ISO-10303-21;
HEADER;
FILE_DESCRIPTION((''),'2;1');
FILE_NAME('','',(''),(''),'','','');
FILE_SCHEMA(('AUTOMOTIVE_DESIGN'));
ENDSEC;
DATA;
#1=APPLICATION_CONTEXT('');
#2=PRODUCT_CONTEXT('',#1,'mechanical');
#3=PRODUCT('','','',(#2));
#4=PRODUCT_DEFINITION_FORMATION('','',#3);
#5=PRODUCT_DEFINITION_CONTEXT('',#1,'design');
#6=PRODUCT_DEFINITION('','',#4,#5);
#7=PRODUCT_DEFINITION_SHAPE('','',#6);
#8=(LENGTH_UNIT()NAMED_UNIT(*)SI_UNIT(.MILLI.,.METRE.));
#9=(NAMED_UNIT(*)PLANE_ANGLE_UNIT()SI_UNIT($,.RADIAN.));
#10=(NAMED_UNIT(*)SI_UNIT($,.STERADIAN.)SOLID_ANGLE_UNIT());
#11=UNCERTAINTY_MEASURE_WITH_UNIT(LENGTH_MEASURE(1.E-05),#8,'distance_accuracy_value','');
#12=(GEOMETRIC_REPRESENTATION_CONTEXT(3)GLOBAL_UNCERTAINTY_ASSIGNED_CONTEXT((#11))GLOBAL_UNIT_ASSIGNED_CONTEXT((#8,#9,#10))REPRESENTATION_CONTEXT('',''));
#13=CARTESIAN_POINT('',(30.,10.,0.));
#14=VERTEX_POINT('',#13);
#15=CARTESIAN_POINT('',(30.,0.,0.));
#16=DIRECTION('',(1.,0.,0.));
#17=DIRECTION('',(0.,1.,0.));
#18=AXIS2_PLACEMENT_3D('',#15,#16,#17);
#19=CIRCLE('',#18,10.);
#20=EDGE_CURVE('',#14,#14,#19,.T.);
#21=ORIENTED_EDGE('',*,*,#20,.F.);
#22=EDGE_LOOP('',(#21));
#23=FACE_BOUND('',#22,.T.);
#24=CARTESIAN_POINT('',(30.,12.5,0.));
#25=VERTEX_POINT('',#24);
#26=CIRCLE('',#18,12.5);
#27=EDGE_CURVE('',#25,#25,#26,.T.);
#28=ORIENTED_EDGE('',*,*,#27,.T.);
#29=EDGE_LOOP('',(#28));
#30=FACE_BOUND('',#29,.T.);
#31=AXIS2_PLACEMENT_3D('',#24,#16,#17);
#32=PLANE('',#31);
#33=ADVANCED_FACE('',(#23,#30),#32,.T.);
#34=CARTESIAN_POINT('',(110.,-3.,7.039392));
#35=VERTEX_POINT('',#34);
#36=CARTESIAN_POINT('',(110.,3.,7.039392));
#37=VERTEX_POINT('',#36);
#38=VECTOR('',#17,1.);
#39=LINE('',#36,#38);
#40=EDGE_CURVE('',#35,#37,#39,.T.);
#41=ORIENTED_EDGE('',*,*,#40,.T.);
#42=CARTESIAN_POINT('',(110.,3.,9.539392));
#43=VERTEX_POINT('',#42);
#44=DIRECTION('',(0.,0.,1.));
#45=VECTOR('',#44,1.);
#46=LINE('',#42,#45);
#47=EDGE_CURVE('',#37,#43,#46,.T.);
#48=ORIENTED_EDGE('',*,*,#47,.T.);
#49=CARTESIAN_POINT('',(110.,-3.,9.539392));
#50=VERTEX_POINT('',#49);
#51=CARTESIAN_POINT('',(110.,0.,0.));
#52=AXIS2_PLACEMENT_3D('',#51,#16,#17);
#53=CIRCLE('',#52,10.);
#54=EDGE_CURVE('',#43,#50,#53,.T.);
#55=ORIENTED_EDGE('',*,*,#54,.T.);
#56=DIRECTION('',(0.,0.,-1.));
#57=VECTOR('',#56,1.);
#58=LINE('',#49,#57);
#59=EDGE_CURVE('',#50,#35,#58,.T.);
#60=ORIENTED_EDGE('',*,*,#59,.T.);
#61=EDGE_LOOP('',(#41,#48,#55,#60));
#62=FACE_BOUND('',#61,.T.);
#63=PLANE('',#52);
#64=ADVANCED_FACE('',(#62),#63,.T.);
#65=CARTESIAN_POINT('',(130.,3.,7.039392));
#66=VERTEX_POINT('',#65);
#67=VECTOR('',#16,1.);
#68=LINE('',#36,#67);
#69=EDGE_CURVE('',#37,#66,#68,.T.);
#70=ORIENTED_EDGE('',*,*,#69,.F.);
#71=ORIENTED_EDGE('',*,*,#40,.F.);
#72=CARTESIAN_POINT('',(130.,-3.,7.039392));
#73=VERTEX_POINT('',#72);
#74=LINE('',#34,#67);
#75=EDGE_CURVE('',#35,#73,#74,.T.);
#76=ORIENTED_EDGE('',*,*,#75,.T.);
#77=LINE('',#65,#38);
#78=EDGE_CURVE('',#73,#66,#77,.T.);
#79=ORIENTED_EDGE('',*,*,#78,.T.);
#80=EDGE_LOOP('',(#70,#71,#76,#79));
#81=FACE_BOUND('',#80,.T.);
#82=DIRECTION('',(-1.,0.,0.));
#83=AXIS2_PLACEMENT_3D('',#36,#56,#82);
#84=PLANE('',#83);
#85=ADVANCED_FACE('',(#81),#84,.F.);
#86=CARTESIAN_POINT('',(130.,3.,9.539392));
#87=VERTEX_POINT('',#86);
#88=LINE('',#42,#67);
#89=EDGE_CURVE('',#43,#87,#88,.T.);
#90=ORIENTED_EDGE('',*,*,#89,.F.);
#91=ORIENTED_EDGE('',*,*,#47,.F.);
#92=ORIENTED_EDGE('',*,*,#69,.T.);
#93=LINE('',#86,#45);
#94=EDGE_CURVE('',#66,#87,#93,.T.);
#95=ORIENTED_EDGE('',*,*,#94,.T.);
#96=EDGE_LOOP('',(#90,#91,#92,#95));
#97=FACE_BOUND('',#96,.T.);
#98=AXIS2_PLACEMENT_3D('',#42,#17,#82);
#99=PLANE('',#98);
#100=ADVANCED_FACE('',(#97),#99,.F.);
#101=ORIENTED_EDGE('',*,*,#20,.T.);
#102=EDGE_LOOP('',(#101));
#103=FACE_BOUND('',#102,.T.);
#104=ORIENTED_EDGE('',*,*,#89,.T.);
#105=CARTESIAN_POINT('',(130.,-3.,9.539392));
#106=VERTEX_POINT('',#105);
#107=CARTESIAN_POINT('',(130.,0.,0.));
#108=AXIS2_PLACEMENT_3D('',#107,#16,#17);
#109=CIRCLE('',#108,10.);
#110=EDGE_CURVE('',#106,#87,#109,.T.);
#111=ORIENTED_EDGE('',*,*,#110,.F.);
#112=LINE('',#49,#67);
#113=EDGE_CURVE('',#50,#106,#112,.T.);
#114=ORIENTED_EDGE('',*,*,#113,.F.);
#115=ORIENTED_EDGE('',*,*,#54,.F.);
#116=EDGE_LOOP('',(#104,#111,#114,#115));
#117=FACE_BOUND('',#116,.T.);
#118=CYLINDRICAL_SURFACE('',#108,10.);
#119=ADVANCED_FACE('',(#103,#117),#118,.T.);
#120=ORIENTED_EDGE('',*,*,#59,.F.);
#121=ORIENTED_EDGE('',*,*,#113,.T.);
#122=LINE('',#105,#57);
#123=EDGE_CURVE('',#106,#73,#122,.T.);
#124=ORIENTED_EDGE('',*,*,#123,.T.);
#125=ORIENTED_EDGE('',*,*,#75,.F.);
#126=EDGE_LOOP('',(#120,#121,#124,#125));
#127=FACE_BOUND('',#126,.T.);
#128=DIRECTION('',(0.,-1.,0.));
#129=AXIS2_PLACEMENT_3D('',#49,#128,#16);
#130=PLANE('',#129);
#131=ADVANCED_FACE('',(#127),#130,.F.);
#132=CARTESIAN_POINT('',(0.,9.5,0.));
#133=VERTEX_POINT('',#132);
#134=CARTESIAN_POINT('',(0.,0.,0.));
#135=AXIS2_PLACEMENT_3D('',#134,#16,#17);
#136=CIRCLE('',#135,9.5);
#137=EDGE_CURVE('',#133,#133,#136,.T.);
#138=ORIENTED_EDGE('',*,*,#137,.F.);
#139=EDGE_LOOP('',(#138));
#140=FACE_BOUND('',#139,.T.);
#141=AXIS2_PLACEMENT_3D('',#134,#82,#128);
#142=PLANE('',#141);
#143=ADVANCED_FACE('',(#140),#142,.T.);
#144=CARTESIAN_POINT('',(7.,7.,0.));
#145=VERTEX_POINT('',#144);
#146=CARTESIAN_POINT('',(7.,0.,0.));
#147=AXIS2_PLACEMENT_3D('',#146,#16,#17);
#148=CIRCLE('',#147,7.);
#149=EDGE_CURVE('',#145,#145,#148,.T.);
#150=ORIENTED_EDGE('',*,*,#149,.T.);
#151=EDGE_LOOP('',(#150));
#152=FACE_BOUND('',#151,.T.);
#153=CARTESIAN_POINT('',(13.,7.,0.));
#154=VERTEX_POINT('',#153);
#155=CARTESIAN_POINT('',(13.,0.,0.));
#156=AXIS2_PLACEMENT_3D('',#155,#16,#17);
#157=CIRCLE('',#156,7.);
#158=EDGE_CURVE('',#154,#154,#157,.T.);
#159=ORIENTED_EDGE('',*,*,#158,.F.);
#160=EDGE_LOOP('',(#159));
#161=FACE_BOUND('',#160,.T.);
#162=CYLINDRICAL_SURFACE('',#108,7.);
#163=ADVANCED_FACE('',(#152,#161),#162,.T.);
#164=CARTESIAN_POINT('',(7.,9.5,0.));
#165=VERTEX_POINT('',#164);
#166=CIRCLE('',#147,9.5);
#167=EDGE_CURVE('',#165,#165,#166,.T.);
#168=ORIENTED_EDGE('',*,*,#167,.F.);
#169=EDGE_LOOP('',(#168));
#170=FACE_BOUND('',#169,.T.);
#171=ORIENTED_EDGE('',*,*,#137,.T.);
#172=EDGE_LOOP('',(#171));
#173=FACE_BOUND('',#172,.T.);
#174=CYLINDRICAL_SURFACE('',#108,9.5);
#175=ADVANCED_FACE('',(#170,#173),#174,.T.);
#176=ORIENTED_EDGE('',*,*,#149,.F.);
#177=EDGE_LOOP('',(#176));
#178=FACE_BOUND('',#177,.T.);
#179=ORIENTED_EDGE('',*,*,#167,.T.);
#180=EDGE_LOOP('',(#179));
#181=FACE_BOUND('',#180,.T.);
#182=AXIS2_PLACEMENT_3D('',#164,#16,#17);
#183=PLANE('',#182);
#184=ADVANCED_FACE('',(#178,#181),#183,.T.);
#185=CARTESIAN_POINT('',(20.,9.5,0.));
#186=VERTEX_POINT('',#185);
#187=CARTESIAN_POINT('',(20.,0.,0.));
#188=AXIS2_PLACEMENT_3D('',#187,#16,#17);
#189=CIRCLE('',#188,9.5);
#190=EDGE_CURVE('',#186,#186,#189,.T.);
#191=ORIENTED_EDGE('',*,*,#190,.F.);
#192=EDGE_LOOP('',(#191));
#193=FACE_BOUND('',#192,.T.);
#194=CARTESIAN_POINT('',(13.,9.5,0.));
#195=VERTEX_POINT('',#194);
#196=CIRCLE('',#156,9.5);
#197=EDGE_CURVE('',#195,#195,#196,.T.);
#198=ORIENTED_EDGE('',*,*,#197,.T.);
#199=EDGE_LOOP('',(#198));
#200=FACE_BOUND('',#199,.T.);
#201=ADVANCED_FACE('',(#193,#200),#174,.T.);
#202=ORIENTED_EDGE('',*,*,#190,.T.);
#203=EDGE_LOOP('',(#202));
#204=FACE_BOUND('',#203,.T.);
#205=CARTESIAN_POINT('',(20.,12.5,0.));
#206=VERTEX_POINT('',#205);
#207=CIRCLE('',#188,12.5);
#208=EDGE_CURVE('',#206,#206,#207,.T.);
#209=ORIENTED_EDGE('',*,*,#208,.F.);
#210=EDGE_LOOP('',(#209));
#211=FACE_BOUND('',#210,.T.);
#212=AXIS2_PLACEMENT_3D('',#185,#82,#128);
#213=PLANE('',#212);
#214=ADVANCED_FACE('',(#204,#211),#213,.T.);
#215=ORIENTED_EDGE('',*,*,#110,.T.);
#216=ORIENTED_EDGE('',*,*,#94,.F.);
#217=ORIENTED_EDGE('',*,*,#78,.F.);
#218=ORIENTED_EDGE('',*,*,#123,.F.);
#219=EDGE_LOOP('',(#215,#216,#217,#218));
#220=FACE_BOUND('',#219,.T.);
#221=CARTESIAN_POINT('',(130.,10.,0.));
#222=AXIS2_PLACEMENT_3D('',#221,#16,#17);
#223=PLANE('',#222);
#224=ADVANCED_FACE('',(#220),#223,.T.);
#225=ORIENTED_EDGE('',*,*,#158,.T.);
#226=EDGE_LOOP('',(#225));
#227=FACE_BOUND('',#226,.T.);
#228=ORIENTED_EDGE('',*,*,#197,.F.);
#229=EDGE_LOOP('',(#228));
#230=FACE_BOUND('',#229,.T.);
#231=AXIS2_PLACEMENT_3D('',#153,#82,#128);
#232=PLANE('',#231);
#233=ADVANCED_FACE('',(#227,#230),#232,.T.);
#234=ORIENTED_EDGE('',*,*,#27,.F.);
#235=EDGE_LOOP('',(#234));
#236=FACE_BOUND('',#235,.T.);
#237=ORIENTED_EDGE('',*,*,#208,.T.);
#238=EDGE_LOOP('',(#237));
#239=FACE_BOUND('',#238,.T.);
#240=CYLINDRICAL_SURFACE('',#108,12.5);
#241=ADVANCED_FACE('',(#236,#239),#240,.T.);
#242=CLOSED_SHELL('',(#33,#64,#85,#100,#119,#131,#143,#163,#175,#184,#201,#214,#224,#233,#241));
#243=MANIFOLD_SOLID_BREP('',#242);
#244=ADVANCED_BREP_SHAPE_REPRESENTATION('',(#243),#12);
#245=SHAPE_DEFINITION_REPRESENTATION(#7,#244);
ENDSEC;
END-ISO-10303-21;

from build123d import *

# Parameters (mm, degrees)
CUT_EXTRUDE1_DEPTH = 20


with BuildPart() as part:
    # Sketch1 → Revolve1 (revolve)
    with BuildSketch(Plane.XY):
        Polygon((0, 0), (0, 9.5), (7, 9.5), (7, 7), (13, 7), (13, 9.5), (20, 9.5), (20, 12.5), (30, 12.5), (30, 10), (130, 10), (130, 0), align=None)
    revolve(axis=Axis((130, 0, 0), (-1, 0, 0)))

    # Sketch2 → Cut-Extrude1 (cut)
    with BuildSketch(Plane(origin=(130, 0, 0), x_dir=(0, 0, -1), z_dir=(1, 0, 0))):
        with BuildLine():
            Line((-9.539392014, 3), (-7.039392014, 3))
            Line((-7.039392014, 3), (-7.039392014, -3))
            Line((-7.039392014, -3), (-9.539392014, -3))
            ThreePointArc((-9.539392014, -3), (-10, 0), (-9.539392014, 3))
        make_face()
    extrude(amount=-CUT_EXTRUDE1_DEPTH, mode=Mode.SUBTRACT)


solid = part.part
